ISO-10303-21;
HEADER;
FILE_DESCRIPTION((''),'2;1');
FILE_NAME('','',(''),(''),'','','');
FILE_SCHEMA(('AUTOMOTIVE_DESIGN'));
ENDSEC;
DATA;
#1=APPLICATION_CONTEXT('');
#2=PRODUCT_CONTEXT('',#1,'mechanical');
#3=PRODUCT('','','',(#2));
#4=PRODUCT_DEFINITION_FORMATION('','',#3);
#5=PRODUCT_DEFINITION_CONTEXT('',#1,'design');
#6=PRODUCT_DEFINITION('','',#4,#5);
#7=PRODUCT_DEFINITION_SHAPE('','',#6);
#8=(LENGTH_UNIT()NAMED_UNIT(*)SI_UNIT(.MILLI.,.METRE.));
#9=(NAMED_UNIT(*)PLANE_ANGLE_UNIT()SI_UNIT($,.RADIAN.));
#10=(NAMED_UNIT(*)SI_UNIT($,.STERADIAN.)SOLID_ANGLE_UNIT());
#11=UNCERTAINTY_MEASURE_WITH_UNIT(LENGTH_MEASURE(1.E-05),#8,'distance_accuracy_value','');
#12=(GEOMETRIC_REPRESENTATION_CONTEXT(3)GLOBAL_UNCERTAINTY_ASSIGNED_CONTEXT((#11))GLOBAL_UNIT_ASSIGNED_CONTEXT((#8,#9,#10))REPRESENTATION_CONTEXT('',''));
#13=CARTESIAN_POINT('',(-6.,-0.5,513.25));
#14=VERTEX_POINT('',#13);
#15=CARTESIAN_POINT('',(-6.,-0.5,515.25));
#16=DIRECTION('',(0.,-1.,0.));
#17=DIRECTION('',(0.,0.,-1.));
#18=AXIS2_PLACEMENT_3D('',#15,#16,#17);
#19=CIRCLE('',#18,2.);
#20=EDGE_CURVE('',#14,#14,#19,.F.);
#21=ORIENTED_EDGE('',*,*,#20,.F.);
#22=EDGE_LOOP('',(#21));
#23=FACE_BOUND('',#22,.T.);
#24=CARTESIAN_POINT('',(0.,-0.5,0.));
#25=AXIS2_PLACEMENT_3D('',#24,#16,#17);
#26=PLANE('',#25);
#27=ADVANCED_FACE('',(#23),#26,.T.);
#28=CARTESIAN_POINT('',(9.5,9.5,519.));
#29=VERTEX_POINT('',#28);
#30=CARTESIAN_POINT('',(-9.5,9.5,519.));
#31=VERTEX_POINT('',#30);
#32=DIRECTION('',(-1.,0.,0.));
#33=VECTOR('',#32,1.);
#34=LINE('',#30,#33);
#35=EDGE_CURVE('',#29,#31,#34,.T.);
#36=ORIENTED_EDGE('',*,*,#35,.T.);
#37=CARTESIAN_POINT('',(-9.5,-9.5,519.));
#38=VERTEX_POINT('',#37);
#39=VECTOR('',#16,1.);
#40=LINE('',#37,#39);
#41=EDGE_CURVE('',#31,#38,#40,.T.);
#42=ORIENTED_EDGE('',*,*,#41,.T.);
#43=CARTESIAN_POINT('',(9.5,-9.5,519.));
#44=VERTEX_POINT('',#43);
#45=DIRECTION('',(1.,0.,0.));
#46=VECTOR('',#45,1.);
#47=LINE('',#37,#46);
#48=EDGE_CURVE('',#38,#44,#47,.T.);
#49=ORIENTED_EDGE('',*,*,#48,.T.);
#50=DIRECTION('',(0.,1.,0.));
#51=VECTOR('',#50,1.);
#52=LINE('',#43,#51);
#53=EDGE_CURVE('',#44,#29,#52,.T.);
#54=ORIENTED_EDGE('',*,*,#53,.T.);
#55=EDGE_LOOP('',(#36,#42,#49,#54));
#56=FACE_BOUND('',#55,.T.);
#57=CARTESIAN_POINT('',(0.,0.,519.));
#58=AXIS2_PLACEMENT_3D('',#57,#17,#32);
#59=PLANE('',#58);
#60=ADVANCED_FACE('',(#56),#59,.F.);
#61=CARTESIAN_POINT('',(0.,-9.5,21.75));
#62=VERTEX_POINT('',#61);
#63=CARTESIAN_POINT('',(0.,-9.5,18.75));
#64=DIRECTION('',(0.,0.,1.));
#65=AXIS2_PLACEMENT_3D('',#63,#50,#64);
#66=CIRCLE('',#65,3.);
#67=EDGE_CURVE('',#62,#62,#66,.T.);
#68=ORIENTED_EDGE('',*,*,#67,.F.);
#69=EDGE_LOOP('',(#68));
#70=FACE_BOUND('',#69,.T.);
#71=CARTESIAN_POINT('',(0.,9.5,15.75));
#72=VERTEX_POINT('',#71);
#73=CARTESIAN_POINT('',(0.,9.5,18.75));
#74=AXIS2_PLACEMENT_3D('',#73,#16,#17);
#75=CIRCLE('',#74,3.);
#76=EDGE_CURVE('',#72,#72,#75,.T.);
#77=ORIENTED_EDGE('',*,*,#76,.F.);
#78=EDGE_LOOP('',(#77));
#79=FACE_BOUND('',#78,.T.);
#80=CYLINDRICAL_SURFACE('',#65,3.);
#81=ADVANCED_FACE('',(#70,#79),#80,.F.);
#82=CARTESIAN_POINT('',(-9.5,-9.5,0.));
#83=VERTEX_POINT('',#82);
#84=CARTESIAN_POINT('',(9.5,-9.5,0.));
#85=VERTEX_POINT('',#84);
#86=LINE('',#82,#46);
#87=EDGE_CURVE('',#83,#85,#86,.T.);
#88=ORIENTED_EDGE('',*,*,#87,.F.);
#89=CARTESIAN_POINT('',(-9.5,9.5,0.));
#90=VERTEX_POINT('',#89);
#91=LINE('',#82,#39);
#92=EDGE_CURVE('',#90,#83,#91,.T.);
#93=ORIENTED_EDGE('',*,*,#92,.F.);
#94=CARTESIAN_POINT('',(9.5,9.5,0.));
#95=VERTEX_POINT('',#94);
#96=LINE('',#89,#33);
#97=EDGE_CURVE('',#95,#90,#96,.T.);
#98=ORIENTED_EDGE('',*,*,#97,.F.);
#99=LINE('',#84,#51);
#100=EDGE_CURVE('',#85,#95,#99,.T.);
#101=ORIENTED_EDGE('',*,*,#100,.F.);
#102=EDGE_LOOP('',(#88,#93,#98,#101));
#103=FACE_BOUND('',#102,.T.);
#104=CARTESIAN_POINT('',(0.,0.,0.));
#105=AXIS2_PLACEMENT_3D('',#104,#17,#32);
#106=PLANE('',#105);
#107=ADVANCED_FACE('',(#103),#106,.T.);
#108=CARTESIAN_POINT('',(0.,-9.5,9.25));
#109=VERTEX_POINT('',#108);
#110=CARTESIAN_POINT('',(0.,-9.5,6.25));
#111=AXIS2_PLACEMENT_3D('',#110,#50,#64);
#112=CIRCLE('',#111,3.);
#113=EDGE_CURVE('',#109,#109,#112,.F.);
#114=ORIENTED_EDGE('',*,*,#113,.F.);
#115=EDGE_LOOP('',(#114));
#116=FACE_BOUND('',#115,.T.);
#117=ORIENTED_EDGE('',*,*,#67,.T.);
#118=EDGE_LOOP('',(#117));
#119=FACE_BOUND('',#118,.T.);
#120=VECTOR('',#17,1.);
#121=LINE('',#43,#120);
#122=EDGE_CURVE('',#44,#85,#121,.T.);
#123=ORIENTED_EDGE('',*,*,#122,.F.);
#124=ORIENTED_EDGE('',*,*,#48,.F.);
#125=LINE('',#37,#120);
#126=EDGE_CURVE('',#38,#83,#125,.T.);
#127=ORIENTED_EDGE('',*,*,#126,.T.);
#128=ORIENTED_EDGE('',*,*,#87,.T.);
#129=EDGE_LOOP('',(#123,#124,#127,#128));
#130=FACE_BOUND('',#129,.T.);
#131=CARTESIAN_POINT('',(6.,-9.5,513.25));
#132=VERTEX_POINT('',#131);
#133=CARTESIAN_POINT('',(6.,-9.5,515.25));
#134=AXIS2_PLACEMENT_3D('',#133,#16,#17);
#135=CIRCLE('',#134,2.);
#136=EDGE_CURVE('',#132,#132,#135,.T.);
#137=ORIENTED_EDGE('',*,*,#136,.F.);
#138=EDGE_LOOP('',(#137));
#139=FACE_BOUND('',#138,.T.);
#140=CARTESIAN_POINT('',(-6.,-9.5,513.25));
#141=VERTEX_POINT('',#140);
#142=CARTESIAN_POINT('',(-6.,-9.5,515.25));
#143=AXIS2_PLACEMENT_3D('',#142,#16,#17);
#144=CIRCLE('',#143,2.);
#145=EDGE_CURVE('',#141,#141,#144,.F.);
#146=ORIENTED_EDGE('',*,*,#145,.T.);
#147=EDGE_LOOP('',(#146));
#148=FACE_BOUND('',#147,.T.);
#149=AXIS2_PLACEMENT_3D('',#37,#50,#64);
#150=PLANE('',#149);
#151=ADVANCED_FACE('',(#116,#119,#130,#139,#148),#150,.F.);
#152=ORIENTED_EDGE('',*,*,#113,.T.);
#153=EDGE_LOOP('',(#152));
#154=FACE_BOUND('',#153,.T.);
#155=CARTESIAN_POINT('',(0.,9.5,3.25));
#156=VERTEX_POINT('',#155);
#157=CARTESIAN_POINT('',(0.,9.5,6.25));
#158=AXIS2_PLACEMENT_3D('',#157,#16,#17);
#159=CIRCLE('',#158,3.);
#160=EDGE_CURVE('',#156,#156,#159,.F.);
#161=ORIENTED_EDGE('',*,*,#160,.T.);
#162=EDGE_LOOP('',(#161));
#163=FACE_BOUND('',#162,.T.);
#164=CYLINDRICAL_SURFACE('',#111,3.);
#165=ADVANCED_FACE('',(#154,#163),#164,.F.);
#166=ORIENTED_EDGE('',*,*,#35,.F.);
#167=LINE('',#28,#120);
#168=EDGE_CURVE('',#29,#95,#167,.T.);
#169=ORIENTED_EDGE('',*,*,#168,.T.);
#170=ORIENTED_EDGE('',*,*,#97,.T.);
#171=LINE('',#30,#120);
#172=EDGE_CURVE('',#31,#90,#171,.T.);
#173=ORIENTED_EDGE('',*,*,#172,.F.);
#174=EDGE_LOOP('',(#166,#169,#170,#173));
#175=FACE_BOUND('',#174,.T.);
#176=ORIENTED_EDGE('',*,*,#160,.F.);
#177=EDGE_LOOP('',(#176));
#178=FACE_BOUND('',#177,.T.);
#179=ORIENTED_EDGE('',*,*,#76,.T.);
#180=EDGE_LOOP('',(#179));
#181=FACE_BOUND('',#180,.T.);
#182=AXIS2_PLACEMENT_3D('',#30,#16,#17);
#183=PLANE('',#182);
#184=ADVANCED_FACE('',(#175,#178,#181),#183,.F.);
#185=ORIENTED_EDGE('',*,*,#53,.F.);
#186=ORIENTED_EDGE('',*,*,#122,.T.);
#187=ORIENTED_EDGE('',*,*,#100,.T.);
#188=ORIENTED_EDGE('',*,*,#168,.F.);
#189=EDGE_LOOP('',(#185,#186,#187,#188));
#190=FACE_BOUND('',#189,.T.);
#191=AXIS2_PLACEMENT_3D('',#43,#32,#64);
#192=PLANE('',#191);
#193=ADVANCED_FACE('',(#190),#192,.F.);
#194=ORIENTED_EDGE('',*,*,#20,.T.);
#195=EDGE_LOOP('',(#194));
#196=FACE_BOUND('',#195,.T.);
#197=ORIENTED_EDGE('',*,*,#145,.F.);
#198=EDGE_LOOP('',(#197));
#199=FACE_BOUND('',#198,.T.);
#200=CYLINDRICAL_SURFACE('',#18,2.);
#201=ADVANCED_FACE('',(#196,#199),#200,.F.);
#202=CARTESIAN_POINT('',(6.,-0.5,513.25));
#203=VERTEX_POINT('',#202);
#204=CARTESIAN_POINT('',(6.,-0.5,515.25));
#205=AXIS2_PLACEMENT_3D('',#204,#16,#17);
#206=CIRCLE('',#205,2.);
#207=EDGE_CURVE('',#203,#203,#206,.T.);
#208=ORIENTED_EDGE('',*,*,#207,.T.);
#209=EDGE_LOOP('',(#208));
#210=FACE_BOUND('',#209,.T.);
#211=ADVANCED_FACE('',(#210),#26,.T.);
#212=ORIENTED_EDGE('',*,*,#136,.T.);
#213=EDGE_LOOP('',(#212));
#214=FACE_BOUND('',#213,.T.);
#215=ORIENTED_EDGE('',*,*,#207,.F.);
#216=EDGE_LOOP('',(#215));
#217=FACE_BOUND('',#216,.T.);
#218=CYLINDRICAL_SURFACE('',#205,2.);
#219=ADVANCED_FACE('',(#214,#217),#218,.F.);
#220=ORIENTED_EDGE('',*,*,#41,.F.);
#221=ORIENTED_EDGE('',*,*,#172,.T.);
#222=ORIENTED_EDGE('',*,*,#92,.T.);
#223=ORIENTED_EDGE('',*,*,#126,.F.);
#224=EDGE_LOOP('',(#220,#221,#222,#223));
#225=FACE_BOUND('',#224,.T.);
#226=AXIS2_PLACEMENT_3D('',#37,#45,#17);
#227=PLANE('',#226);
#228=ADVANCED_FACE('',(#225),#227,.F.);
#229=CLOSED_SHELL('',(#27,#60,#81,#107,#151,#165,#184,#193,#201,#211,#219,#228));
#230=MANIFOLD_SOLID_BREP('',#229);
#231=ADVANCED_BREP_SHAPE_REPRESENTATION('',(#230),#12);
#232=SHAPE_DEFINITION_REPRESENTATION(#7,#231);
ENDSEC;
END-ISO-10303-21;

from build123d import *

# Parameters (mm, degrees)
SKETCH1_W               = 19
SKETCH1_H               = 19
BOSS_EXTRUDE1_DEPTH     = 519
CUT_EXTRUDE1_DEPTH      = 9
CUT_EXTRUDE2_DEPTH      = 1
CUT_EXTRUDE2_DEPTH_BACK = 20


with BuildPart() as part:
    # Sketch1 → Boss-Extrude1 (new body)
    with BuildSketch(Plane.XY):
        Rectangle(SKETCH1_W, SKETCH1_H)
    extrude(amount=BOSS_EXTRUDE1_DEPTH)

    # Sketch2 → Cut-Extrude1 (cut)
    with BuildSketch(Plane.XZ.offset(9.5)):
        with BuildLine():
            ThreePointArc((-4, 515.25), (-6, 517.25), (-8, 515.25))
            Line((-8, 515.25), (-4, 515.25))
        make_face()
        with BuildLine():
            Line((-4, 515.25), (-8, 515.25))
            ThreePointArc((-8, 515.25), (-6, 513.25), (-4, 515.25))
        make_face()
        with BuildLine():
            ThreePointArc((8, 515.25), (6, 517.25), (4, 515.25))
            Line((4, 515.25), (6, 515.25))
            Line((6, 515.25), (8, 515.25))
        make_face()
        with BuildLine():
            Line((6, 515.25), (4, 515.25))
            ThreePointArc((4, 515.25), (6, 513.25), (8, 515.25))
            Line((8, 515.25), (6, 515.25))
        make_face()
    extrude(amount=-CUT_EXTRUDE1_DEPTH, mode=Mode.SUBTRACT)

    # Sketch3 → Cut-Extrude2 (cut, two sides)
    with BuildSketch(Plane(origin=(0, 9.5, 0), x_dir=(1, 0, 0), z_dir=(0, 1, 0))) as cut_extrude2_sk:
        with BuildLine():
            ThreePointArc((3, -18.75), (2.121320344, -16.628679656), (0, -15.75))
            Line((0, -15.75), (0, -21.75))
            ThreePointArc((0, -21.75), (2.121320344, -20.871320344), (3, -18.75))
        make_face()
        with BuildLine():
            Line((0, -21.75), (0, -15.75))
            ThreePointArc((0, -15.75), (-3, -18.75), (0, -21.75))
        make_face()
        with BuildLine():
            ThreePointArc((3, -6.25), (2.121320344, -4.128679656), (0, -3.25))
            Line((0, -3.25), (0, -9.25))
            ThreePointArc((0, -9.25), (2.121320344, -8.371320344), (3, -6.25))
        make_face()
        with BuildLine():
            Line((0, -9.25), (0, -3.25))
            ThreePointArc((0, -3.25), (-3, -6.25), (0, -9.25))
        make_face()
    extrude(amount=CUT_EXTRUDE2_DEPTH, mode=Mode.SUBTRACT)
    extrude(cut_extrude2_sk.sketch, amount=-CUT_EXTRUDE2_DEPTH_BACK, mode=Mode.SUBTRACT)


solid = part.part
